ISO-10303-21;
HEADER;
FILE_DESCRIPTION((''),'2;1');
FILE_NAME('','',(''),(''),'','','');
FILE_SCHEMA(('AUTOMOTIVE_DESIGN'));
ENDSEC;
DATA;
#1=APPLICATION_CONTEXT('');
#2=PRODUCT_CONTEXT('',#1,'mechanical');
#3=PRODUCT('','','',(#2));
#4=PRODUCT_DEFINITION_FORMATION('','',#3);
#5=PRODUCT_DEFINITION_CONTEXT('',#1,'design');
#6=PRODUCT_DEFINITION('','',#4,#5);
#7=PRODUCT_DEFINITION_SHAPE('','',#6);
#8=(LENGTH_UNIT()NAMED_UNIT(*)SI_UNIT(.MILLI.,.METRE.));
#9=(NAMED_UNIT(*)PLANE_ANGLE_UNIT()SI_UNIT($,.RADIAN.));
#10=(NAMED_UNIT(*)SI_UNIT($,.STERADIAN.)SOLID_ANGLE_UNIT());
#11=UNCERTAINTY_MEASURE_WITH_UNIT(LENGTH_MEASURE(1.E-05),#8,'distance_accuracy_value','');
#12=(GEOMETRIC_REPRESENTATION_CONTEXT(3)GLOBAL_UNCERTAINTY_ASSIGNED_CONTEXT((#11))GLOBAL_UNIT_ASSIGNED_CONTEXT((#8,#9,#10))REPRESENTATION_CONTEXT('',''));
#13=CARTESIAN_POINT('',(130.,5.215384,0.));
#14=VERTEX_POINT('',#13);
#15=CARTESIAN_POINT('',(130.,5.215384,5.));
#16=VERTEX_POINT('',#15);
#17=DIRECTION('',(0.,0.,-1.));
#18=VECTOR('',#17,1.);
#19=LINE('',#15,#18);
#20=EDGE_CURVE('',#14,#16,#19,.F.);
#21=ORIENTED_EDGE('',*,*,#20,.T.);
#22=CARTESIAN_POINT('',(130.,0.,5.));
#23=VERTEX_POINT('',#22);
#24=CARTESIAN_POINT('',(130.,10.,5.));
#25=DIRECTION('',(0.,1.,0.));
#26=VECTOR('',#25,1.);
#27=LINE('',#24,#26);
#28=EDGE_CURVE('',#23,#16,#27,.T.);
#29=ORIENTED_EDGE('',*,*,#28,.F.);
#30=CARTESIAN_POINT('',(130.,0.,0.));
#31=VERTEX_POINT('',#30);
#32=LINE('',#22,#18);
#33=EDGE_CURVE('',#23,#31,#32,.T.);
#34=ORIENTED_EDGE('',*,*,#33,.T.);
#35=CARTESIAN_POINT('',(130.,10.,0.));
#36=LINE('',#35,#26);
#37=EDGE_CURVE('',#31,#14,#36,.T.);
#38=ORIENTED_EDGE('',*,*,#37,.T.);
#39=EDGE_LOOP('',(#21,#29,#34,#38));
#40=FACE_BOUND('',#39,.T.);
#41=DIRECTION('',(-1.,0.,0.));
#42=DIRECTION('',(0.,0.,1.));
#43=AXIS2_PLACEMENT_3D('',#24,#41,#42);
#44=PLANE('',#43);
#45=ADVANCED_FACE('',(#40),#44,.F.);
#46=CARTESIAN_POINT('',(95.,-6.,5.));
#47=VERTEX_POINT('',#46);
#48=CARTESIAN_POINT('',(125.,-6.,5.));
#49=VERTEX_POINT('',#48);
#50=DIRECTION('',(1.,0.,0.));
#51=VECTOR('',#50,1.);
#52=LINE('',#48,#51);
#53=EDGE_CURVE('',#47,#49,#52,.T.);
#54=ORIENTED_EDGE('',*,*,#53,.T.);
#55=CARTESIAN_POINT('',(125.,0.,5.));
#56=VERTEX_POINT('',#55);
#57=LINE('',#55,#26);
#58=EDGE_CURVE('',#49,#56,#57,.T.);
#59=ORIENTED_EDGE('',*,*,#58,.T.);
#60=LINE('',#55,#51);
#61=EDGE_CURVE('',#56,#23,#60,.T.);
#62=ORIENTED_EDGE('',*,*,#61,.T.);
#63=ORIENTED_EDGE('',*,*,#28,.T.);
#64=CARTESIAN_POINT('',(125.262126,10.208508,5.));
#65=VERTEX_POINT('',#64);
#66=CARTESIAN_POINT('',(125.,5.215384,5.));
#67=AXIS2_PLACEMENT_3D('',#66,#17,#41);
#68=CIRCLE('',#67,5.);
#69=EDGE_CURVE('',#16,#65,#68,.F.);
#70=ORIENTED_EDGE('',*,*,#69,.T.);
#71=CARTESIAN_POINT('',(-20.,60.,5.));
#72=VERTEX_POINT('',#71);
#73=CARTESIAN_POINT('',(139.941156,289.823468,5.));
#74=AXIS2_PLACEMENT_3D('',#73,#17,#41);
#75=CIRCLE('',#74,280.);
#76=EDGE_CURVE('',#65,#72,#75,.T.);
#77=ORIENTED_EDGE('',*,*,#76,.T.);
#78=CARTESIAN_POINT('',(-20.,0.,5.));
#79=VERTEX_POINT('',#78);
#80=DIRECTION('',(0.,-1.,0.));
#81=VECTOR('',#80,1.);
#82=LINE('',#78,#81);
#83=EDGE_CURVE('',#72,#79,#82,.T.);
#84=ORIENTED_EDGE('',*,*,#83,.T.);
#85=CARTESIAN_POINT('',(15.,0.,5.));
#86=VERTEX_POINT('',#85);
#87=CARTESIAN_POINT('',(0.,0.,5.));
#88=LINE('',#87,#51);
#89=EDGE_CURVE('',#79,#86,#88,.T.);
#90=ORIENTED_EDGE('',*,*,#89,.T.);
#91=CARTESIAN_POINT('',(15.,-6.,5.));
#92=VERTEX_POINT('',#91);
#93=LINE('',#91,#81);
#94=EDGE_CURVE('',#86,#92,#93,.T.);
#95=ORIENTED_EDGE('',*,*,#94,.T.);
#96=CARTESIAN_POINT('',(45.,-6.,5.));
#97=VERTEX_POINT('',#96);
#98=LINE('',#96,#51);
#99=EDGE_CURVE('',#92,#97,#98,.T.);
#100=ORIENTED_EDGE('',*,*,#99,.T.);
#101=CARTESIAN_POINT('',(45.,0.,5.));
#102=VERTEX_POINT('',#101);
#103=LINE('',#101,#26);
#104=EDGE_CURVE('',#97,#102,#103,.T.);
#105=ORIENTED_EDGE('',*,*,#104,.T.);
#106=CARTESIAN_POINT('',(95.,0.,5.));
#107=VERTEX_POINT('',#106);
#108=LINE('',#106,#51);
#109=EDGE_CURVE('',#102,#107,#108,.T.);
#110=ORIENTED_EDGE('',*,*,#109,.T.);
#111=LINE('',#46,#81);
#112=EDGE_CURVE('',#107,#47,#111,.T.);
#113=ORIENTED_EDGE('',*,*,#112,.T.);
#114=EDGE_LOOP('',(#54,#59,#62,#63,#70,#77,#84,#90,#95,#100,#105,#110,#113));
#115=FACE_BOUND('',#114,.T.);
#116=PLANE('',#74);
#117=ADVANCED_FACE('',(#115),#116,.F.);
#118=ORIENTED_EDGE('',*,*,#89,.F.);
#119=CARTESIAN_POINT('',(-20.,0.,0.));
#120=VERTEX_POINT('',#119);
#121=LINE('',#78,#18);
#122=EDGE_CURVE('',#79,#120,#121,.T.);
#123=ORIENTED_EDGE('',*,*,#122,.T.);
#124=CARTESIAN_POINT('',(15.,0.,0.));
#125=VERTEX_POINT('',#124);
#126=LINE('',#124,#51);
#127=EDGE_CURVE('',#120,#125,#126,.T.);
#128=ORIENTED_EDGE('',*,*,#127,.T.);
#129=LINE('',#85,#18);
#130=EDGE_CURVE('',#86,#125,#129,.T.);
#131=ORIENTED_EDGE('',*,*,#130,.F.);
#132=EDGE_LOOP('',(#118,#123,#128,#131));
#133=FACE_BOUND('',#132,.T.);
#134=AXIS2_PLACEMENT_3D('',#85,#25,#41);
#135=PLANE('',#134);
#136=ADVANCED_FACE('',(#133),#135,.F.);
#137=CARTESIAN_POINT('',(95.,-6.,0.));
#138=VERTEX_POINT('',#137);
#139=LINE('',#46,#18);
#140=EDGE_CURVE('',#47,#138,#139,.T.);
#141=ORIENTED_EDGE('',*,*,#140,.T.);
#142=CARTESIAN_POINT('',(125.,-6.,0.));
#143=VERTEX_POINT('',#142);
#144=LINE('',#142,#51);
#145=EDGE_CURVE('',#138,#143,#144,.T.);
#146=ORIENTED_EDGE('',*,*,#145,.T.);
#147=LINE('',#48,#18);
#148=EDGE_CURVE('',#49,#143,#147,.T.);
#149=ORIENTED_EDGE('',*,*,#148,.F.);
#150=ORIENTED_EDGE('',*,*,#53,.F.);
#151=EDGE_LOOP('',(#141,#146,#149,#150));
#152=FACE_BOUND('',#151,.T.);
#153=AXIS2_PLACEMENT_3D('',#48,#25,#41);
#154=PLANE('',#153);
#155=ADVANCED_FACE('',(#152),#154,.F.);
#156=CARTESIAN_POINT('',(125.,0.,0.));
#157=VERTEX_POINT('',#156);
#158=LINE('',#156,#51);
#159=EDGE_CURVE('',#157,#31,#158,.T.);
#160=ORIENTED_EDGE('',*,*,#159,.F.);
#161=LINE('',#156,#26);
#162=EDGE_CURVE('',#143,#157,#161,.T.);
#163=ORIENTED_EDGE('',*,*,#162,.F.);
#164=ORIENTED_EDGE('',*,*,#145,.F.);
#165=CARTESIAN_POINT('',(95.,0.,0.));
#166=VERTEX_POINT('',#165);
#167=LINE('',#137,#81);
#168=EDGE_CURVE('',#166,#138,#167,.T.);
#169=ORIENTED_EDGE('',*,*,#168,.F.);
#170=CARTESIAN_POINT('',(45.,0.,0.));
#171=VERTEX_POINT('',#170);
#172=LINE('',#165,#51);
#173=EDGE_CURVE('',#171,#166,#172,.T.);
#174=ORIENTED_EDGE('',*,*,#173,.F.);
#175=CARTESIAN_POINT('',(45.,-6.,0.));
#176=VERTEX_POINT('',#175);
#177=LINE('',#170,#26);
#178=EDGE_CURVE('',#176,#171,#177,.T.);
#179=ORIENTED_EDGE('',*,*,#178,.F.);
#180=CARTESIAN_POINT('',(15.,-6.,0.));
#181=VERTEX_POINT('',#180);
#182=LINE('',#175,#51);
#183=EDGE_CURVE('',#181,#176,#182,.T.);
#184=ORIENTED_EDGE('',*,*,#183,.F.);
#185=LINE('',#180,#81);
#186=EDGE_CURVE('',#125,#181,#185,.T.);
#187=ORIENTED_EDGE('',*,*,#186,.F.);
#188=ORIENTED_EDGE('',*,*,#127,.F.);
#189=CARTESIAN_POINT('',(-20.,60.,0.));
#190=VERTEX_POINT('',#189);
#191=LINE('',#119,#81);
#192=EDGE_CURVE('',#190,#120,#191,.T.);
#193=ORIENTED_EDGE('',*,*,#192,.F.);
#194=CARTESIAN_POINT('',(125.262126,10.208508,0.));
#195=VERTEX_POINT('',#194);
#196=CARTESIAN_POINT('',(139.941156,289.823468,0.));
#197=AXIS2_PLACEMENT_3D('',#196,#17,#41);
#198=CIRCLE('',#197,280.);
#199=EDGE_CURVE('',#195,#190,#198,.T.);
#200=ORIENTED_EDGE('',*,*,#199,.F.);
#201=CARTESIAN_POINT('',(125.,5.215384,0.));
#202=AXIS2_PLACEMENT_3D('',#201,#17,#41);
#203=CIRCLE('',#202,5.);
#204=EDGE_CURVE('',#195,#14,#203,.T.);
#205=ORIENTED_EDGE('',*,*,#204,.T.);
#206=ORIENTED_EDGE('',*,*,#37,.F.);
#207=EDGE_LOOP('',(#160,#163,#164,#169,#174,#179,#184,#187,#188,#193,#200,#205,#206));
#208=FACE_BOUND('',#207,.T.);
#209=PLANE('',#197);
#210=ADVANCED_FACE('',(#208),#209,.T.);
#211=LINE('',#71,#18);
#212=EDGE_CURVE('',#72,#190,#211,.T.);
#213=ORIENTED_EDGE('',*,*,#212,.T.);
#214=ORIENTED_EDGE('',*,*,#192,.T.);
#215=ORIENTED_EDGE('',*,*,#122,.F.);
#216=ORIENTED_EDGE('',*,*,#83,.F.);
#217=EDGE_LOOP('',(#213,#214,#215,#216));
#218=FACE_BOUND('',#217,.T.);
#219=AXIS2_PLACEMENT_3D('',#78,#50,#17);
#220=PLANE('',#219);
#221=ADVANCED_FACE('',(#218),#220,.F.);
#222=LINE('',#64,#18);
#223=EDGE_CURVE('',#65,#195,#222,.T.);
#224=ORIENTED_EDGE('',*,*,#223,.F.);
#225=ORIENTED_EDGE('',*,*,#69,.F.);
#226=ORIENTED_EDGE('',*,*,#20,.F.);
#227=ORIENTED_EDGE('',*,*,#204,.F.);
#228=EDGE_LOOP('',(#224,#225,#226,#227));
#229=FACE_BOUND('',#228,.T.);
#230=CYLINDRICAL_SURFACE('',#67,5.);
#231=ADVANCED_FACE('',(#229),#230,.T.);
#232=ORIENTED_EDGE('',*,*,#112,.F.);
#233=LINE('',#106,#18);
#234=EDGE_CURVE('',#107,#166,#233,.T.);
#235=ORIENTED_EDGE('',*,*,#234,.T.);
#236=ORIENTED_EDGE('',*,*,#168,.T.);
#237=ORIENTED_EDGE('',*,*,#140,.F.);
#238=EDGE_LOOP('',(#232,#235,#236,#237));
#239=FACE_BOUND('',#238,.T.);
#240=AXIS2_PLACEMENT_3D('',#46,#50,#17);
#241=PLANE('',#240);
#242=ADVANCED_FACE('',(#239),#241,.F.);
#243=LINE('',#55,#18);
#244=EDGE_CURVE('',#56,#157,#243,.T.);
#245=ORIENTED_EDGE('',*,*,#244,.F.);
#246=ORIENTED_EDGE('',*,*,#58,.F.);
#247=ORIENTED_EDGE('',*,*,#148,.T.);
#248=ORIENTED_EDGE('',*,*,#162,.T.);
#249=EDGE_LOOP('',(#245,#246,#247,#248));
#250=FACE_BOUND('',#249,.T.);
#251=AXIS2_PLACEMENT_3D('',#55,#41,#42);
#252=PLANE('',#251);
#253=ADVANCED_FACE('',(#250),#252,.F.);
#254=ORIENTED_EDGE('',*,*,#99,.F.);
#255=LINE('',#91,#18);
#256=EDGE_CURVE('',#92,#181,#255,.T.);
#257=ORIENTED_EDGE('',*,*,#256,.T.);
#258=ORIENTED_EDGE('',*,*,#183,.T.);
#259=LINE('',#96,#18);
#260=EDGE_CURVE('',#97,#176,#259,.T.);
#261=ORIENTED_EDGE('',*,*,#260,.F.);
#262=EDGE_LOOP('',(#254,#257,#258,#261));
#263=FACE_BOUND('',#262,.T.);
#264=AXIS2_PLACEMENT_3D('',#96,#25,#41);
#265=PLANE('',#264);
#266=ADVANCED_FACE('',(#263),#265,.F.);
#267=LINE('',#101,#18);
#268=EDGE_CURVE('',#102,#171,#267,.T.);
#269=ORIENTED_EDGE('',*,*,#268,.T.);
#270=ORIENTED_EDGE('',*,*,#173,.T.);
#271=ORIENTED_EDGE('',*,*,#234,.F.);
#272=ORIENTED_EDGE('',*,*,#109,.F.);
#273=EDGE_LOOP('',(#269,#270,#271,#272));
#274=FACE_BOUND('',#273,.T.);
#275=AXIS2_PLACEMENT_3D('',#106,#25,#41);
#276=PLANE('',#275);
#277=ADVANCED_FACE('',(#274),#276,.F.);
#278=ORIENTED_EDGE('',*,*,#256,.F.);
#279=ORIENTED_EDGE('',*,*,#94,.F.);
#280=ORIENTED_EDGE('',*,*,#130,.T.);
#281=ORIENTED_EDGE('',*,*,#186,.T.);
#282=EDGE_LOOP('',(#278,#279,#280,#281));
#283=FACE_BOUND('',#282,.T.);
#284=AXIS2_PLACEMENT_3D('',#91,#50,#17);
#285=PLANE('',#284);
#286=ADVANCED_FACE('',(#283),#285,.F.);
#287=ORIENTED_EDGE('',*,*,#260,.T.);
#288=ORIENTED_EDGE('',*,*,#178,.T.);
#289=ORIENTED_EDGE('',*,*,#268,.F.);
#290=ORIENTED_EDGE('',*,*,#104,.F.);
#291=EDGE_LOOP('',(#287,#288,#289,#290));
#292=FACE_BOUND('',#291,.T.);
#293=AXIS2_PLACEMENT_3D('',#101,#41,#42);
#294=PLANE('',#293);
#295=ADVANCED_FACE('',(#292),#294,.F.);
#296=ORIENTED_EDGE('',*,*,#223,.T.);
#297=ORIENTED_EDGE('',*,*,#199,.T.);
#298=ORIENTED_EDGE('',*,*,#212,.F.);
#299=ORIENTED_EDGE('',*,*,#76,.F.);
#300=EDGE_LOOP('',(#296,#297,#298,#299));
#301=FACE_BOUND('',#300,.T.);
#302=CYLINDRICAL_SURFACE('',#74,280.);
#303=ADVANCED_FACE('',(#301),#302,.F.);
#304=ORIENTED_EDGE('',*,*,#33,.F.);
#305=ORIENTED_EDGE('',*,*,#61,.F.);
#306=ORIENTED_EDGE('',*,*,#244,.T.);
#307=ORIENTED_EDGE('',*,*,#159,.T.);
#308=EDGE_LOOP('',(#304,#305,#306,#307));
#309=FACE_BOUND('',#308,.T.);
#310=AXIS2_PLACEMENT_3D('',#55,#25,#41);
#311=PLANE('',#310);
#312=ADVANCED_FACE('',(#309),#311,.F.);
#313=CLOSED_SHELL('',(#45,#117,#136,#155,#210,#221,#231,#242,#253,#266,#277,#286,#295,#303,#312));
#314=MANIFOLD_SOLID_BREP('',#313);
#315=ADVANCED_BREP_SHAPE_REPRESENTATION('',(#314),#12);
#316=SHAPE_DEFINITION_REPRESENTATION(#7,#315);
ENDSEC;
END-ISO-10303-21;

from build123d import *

# Parameters (mm, degrees)
EXTRUDE_1_DEPTH = 5
FILLET_1_R      = 5


with BuildPart() as part:
    # 草图1 → 凸台-拉伸1 (new body)
    with BuildSketch(Plane.XY):
        with BuildLine():
            Line((125, 0), (125, -6))
            Line((125, -6), (95, -6))
            Line((95, -6), (95, 0))
            Line((95, 0), (45, 0))
            Line((45, 0), (45, -6))
            Line((45, -6), (15, -6))
            Line((15, -6), (15, 0))
            Line((15, 0), (0, 0))
            Line((0, 0), (-20, 0))
            Line((-20, 0), (-20, 60))
            ThreePointArc((-20, 60), (51.397381618, 24.192144853), (130, 10))
            Line((130, 10), (130, 0))
            Line((130, 0), (125, 0))
        make_face()
    extrude(amount=EXTRUDE_1_DEPTH)

    # 圆角1
    fillet_1_edges = [part.edges().sort_by_distance(p)[0] for p in [
        (130, 10, 2.5),
    ]]
    fillet(fillet_1_edges, radius=FILLET_1_R)


solid = part.part
